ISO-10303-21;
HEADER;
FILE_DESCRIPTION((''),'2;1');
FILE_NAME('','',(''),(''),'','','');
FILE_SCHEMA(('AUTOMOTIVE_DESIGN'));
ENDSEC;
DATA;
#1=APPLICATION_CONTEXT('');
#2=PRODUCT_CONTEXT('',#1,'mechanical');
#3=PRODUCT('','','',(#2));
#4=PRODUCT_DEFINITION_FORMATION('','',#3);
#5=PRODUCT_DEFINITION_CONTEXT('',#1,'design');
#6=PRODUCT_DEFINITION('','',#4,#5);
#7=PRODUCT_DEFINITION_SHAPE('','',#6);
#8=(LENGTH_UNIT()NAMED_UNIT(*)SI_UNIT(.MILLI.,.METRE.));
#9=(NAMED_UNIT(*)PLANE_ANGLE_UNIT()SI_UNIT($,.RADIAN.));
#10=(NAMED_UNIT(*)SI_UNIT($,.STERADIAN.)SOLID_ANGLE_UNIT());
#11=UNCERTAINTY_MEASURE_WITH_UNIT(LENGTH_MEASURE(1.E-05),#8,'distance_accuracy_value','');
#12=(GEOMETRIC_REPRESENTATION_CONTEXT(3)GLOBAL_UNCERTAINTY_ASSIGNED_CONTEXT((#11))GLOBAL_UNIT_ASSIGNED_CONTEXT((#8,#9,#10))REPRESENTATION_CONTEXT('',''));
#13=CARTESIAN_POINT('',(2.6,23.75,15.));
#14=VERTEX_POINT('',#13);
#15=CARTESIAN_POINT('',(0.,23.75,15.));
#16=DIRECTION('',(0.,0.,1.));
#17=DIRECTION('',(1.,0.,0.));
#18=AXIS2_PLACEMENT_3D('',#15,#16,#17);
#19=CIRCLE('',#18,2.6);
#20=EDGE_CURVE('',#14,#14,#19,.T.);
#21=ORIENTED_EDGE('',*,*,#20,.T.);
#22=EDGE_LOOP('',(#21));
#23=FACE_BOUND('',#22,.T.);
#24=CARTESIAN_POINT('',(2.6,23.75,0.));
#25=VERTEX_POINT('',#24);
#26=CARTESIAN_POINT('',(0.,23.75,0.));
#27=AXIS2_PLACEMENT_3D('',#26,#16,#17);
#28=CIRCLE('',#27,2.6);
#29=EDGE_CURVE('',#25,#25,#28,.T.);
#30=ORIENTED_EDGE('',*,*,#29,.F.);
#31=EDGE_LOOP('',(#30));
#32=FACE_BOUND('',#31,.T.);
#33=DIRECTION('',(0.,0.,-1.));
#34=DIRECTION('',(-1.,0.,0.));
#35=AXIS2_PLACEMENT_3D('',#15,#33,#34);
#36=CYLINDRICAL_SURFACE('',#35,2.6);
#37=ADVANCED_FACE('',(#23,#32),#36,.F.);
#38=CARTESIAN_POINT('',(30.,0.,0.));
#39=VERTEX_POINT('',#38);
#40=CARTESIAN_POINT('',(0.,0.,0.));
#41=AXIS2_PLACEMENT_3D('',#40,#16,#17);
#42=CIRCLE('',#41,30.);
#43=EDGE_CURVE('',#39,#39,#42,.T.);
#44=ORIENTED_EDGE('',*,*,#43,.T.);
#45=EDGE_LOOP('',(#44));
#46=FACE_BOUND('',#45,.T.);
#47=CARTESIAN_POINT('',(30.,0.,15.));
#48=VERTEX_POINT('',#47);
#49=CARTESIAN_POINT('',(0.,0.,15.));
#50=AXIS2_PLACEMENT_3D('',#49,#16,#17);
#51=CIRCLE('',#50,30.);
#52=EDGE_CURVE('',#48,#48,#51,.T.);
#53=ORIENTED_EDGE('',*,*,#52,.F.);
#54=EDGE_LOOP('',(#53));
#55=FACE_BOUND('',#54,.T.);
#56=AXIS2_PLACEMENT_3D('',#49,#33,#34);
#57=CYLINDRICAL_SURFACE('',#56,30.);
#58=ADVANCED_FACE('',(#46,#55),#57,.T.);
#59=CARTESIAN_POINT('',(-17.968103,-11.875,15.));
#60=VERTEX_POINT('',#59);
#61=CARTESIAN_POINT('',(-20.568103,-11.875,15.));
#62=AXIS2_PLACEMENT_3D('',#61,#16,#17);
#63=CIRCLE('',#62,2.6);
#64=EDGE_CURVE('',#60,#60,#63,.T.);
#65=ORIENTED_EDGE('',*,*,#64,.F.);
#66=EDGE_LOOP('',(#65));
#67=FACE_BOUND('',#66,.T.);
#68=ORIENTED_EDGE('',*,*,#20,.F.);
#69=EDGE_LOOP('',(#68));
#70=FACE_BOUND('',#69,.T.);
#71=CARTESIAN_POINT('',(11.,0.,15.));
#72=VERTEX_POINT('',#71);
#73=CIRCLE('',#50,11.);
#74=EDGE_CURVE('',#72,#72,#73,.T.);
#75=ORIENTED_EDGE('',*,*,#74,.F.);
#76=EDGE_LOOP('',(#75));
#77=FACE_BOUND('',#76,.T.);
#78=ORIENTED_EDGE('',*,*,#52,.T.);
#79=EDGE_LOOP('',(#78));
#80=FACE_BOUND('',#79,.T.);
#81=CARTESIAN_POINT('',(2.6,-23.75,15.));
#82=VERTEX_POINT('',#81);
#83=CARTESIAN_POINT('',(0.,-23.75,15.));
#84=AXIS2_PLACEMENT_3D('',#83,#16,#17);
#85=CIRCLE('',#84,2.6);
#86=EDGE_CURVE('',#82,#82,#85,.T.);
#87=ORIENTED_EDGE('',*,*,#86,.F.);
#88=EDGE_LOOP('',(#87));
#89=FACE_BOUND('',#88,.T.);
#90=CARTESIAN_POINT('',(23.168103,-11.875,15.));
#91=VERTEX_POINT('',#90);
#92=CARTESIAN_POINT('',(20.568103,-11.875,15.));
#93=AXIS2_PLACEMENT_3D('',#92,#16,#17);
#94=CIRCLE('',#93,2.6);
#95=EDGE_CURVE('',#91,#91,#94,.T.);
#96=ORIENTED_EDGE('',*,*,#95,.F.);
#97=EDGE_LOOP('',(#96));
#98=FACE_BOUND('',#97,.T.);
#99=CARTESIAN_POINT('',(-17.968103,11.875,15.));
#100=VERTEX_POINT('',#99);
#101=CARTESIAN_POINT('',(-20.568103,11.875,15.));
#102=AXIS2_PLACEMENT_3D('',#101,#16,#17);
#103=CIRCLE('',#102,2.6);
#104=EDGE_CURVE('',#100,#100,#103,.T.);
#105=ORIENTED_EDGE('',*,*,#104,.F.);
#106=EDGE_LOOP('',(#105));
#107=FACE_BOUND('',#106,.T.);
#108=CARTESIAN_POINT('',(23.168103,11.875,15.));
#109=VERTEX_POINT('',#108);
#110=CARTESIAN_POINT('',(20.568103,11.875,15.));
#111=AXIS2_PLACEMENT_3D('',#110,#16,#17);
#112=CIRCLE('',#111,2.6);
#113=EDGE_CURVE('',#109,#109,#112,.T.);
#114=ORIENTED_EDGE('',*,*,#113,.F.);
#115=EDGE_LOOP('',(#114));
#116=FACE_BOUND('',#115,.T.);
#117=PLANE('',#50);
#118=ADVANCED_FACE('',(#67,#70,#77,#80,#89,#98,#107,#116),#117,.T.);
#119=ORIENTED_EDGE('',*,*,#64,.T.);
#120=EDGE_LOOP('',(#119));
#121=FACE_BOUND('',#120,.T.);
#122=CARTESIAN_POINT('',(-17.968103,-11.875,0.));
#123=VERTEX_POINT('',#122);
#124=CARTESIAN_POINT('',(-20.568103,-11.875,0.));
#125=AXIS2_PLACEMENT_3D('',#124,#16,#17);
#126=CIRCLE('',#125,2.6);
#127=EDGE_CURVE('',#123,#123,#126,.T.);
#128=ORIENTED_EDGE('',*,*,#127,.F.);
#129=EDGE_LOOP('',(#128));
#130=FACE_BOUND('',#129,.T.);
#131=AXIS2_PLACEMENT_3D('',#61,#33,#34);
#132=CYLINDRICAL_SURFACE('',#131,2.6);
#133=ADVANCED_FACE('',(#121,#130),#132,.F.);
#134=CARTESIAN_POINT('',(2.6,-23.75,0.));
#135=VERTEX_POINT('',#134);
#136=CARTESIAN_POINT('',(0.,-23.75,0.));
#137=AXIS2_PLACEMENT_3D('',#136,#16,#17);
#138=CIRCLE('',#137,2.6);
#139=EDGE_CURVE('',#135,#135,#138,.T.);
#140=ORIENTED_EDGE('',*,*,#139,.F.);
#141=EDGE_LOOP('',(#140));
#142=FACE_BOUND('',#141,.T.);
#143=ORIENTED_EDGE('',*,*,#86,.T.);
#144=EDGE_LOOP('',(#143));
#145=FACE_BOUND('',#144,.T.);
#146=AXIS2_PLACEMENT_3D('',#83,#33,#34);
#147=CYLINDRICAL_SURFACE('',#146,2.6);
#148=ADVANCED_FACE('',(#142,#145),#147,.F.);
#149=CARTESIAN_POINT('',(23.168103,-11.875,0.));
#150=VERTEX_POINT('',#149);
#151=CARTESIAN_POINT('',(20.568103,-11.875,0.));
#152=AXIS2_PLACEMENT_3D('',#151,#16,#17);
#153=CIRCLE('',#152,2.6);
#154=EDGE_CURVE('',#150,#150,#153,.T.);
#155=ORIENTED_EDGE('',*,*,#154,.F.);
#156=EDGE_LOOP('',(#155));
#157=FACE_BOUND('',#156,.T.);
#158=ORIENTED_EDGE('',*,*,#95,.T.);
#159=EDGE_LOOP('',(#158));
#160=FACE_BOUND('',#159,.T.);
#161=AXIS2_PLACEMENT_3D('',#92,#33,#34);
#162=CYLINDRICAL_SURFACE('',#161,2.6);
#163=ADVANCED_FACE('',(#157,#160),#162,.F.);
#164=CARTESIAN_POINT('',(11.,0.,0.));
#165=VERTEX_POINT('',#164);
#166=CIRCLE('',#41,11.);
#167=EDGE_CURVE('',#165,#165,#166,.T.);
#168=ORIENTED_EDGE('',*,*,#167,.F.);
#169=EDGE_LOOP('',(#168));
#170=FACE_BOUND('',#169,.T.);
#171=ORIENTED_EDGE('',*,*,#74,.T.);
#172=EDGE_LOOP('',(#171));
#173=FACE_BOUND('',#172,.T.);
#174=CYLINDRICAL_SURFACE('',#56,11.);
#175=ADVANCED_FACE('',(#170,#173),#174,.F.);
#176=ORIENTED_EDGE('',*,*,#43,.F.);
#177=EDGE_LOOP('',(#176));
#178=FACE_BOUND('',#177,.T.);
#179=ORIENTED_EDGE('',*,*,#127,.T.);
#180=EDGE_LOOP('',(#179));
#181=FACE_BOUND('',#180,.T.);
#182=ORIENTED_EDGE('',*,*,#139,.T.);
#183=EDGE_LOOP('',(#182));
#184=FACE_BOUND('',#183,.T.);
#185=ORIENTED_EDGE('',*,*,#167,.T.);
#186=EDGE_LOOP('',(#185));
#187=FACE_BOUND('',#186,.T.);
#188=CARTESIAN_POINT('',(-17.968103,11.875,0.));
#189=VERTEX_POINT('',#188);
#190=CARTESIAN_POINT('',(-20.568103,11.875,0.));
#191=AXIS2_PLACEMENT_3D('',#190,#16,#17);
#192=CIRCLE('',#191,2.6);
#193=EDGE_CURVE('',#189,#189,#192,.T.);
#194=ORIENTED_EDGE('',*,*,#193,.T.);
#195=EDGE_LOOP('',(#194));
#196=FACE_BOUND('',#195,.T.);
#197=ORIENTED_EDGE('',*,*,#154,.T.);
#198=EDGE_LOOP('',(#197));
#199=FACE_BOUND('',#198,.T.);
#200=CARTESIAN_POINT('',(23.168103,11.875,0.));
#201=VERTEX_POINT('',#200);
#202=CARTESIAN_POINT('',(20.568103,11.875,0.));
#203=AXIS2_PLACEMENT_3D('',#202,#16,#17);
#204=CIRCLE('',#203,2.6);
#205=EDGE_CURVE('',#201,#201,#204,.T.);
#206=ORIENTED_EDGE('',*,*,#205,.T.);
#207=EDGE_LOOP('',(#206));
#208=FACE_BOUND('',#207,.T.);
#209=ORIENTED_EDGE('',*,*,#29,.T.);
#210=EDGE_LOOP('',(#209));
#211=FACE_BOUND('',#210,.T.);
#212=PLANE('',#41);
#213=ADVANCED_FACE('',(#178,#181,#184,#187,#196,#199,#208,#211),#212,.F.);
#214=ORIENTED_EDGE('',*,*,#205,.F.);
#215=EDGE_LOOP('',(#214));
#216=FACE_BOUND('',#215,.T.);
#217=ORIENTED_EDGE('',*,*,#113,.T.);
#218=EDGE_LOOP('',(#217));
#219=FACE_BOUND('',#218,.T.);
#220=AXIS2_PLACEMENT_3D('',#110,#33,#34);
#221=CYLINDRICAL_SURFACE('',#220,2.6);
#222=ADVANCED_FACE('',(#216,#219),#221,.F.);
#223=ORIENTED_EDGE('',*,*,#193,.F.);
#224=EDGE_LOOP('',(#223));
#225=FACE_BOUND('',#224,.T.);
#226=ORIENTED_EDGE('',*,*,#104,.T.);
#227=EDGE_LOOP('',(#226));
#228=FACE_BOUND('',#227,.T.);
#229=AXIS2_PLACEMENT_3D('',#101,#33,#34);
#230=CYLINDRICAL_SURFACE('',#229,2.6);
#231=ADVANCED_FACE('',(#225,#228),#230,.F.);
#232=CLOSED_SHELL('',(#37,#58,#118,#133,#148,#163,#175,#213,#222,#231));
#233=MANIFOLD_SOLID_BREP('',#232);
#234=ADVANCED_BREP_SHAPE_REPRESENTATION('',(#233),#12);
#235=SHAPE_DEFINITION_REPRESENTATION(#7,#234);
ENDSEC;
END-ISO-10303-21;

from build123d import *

# Parameters (mm, degrees)
SKETCH1_R           = 30
SKETCH1_R_2         = 2.6
SKETCH1_R_3         = 11
BOSS_EXTRUDE1_DEPTH = 15


with BuildPart() as part:
    # Sketch1 → Boss-Extrude1 (new body)
    with BuildSketch(Plane.XY):
        Circle(SKETCH1_R)
        with Locations((0, 23.75)):
            Circle(SKETCH1_R_2, mode=Mode.SUBTRACT)
        with Locations((20.56810334, 11.875)):
            Circle(SKETCH1_R_2, mode=Mode.SUBTRACT)
        with Locations((20.56810334, -11.875)):
            Circle(SKETCH1_R_2, mode=Mode.SUBTRACT)
        with Locations((0, -23.75)):
            Circle(SKETCH1_R_2, mode=Mode.SUBTRACT)
        with Locations((-20.56810334, -11.875)):
            Circle(SKETCH1_R_2, mode=Mode.SUBTRACT)
        with Locations((-20.56810334, 11.875)):
            Circle(SKETCH1_R_2, mode=Mode.SUBTRACT)
        Circle(SKETCH1_R_3, mode=Mode.SUBTRACT)
    extrude(amount=BOSS_EXTRUDE1_DEPTH)


solid = part.part
